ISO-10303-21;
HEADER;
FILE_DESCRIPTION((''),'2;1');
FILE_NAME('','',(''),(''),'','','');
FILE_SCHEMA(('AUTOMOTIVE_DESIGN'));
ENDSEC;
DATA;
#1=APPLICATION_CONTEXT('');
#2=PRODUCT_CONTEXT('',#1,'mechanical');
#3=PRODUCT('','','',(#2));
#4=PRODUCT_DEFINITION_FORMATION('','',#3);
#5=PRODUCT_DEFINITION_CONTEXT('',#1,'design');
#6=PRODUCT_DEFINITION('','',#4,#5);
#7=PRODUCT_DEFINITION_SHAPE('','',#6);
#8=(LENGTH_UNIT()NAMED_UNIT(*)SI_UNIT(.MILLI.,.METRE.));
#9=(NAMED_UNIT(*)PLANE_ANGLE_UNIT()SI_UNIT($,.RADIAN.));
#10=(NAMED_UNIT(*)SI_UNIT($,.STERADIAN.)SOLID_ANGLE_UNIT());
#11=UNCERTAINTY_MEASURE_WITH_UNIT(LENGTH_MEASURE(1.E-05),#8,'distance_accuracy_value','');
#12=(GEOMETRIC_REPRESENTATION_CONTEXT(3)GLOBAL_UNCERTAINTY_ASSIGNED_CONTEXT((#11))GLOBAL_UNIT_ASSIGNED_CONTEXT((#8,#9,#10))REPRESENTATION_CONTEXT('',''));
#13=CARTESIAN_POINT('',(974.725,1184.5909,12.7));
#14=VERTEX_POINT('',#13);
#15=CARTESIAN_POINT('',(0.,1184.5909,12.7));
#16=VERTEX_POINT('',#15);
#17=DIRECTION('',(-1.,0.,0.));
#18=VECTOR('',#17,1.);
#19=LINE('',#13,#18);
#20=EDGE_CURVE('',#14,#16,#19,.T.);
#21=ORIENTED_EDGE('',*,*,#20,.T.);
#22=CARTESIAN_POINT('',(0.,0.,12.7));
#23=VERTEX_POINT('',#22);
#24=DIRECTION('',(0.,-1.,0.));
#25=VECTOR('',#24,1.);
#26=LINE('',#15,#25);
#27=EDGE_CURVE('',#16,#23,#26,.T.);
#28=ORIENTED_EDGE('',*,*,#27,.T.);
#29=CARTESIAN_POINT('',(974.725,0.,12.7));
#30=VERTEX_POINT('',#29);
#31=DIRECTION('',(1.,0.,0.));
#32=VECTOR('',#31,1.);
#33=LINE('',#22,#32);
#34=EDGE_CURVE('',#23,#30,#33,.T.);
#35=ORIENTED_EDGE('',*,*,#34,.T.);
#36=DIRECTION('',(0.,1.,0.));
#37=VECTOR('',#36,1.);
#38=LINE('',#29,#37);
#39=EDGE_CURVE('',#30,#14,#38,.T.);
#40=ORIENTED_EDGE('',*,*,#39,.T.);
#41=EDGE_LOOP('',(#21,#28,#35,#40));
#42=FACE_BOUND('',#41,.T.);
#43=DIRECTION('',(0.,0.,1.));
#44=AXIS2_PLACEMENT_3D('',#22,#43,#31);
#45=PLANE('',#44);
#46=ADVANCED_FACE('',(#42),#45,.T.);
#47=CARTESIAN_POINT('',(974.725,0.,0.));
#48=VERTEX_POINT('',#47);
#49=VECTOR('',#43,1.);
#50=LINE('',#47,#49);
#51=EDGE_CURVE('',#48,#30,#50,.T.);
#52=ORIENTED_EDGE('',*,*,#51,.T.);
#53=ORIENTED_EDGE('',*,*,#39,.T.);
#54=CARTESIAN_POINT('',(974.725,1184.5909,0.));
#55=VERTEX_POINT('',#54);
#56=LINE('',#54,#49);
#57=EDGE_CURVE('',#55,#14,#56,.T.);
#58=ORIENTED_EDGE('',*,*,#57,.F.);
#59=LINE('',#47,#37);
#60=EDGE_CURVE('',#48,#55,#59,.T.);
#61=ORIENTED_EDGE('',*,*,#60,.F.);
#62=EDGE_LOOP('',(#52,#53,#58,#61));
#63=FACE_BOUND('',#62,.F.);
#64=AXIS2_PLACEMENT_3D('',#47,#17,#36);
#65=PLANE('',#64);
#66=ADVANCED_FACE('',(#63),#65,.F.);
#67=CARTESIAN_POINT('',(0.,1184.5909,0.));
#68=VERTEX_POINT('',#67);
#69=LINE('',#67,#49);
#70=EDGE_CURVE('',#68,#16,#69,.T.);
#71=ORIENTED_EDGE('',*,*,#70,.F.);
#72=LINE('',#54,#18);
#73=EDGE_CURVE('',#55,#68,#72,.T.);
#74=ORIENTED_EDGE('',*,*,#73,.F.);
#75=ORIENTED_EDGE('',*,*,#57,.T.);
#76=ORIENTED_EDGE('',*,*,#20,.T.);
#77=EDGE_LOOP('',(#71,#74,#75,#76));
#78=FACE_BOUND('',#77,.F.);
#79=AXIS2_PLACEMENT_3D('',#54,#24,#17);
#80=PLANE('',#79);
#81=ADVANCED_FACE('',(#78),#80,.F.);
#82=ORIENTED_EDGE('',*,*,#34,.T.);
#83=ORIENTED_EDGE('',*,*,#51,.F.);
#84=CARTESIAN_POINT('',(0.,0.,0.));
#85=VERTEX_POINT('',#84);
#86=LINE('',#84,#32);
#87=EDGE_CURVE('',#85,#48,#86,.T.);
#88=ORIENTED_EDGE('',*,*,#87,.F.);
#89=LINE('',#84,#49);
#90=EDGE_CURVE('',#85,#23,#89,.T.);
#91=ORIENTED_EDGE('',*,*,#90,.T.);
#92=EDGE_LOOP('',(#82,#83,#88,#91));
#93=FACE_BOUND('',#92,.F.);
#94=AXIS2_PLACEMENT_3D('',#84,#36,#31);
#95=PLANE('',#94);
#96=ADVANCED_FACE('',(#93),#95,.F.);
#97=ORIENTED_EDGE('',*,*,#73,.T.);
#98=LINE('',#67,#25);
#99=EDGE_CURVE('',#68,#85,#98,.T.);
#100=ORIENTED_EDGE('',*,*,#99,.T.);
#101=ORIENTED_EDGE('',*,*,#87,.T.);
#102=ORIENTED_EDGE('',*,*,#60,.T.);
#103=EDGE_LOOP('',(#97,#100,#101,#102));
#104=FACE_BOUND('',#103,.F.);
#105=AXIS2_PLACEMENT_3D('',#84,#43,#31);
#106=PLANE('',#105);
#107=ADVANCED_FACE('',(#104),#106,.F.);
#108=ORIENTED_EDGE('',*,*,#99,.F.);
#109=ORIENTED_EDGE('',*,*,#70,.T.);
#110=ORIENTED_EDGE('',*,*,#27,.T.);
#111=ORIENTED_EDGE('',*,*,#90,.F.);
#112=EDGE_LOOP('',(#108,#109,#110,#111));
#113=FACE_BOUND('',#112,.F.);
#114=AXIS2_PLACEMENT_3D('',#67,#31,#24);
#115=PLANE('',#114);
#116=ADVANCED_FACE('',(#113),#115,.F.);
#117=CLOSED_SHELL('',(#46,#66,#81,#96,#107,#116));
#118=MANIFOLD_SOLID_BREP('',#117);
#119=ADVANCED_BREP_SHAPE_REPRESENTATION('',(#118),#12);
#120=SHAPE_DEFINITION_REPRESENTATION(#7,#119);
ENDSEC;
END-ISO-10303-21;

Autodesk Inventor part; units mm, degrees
ref_plane "YZ Plane" through (0, 0, 0) normal (1, 0, 0) x (0, 1, 0)
ref_plane "XZ Plane" through (0, 0, 0) normal (0, 1, 0) x (-1, 0, 0)
ref_plane "XY Plane" through (0, 0, 0) normal (0, 0, 1) x (1, 0, 0)
sketch "Sketch1" plane through (0, 0, 0) normal (0, 0, 1) x (1, 0, 0)
  line L0 (0, 0) -> (974.725, 0)
  line L1 (974.725, 0) -> (974.725, 1184.5909)
  line L2 (974.725, 1184.5909) -> (0, 1184.5909)
  line L3 (0, 1184.5909) -> (0, 0)
  dimension "d2" = 1184.5909
  dimension "d3" = 974.725
extrude "Extrusion1" add sketch "Sketch1" along normal blind 12.7
properties part number "OSB_For_Walls_With_Dimensions_37_x_48_Inches" material "Wood (Birch)"
